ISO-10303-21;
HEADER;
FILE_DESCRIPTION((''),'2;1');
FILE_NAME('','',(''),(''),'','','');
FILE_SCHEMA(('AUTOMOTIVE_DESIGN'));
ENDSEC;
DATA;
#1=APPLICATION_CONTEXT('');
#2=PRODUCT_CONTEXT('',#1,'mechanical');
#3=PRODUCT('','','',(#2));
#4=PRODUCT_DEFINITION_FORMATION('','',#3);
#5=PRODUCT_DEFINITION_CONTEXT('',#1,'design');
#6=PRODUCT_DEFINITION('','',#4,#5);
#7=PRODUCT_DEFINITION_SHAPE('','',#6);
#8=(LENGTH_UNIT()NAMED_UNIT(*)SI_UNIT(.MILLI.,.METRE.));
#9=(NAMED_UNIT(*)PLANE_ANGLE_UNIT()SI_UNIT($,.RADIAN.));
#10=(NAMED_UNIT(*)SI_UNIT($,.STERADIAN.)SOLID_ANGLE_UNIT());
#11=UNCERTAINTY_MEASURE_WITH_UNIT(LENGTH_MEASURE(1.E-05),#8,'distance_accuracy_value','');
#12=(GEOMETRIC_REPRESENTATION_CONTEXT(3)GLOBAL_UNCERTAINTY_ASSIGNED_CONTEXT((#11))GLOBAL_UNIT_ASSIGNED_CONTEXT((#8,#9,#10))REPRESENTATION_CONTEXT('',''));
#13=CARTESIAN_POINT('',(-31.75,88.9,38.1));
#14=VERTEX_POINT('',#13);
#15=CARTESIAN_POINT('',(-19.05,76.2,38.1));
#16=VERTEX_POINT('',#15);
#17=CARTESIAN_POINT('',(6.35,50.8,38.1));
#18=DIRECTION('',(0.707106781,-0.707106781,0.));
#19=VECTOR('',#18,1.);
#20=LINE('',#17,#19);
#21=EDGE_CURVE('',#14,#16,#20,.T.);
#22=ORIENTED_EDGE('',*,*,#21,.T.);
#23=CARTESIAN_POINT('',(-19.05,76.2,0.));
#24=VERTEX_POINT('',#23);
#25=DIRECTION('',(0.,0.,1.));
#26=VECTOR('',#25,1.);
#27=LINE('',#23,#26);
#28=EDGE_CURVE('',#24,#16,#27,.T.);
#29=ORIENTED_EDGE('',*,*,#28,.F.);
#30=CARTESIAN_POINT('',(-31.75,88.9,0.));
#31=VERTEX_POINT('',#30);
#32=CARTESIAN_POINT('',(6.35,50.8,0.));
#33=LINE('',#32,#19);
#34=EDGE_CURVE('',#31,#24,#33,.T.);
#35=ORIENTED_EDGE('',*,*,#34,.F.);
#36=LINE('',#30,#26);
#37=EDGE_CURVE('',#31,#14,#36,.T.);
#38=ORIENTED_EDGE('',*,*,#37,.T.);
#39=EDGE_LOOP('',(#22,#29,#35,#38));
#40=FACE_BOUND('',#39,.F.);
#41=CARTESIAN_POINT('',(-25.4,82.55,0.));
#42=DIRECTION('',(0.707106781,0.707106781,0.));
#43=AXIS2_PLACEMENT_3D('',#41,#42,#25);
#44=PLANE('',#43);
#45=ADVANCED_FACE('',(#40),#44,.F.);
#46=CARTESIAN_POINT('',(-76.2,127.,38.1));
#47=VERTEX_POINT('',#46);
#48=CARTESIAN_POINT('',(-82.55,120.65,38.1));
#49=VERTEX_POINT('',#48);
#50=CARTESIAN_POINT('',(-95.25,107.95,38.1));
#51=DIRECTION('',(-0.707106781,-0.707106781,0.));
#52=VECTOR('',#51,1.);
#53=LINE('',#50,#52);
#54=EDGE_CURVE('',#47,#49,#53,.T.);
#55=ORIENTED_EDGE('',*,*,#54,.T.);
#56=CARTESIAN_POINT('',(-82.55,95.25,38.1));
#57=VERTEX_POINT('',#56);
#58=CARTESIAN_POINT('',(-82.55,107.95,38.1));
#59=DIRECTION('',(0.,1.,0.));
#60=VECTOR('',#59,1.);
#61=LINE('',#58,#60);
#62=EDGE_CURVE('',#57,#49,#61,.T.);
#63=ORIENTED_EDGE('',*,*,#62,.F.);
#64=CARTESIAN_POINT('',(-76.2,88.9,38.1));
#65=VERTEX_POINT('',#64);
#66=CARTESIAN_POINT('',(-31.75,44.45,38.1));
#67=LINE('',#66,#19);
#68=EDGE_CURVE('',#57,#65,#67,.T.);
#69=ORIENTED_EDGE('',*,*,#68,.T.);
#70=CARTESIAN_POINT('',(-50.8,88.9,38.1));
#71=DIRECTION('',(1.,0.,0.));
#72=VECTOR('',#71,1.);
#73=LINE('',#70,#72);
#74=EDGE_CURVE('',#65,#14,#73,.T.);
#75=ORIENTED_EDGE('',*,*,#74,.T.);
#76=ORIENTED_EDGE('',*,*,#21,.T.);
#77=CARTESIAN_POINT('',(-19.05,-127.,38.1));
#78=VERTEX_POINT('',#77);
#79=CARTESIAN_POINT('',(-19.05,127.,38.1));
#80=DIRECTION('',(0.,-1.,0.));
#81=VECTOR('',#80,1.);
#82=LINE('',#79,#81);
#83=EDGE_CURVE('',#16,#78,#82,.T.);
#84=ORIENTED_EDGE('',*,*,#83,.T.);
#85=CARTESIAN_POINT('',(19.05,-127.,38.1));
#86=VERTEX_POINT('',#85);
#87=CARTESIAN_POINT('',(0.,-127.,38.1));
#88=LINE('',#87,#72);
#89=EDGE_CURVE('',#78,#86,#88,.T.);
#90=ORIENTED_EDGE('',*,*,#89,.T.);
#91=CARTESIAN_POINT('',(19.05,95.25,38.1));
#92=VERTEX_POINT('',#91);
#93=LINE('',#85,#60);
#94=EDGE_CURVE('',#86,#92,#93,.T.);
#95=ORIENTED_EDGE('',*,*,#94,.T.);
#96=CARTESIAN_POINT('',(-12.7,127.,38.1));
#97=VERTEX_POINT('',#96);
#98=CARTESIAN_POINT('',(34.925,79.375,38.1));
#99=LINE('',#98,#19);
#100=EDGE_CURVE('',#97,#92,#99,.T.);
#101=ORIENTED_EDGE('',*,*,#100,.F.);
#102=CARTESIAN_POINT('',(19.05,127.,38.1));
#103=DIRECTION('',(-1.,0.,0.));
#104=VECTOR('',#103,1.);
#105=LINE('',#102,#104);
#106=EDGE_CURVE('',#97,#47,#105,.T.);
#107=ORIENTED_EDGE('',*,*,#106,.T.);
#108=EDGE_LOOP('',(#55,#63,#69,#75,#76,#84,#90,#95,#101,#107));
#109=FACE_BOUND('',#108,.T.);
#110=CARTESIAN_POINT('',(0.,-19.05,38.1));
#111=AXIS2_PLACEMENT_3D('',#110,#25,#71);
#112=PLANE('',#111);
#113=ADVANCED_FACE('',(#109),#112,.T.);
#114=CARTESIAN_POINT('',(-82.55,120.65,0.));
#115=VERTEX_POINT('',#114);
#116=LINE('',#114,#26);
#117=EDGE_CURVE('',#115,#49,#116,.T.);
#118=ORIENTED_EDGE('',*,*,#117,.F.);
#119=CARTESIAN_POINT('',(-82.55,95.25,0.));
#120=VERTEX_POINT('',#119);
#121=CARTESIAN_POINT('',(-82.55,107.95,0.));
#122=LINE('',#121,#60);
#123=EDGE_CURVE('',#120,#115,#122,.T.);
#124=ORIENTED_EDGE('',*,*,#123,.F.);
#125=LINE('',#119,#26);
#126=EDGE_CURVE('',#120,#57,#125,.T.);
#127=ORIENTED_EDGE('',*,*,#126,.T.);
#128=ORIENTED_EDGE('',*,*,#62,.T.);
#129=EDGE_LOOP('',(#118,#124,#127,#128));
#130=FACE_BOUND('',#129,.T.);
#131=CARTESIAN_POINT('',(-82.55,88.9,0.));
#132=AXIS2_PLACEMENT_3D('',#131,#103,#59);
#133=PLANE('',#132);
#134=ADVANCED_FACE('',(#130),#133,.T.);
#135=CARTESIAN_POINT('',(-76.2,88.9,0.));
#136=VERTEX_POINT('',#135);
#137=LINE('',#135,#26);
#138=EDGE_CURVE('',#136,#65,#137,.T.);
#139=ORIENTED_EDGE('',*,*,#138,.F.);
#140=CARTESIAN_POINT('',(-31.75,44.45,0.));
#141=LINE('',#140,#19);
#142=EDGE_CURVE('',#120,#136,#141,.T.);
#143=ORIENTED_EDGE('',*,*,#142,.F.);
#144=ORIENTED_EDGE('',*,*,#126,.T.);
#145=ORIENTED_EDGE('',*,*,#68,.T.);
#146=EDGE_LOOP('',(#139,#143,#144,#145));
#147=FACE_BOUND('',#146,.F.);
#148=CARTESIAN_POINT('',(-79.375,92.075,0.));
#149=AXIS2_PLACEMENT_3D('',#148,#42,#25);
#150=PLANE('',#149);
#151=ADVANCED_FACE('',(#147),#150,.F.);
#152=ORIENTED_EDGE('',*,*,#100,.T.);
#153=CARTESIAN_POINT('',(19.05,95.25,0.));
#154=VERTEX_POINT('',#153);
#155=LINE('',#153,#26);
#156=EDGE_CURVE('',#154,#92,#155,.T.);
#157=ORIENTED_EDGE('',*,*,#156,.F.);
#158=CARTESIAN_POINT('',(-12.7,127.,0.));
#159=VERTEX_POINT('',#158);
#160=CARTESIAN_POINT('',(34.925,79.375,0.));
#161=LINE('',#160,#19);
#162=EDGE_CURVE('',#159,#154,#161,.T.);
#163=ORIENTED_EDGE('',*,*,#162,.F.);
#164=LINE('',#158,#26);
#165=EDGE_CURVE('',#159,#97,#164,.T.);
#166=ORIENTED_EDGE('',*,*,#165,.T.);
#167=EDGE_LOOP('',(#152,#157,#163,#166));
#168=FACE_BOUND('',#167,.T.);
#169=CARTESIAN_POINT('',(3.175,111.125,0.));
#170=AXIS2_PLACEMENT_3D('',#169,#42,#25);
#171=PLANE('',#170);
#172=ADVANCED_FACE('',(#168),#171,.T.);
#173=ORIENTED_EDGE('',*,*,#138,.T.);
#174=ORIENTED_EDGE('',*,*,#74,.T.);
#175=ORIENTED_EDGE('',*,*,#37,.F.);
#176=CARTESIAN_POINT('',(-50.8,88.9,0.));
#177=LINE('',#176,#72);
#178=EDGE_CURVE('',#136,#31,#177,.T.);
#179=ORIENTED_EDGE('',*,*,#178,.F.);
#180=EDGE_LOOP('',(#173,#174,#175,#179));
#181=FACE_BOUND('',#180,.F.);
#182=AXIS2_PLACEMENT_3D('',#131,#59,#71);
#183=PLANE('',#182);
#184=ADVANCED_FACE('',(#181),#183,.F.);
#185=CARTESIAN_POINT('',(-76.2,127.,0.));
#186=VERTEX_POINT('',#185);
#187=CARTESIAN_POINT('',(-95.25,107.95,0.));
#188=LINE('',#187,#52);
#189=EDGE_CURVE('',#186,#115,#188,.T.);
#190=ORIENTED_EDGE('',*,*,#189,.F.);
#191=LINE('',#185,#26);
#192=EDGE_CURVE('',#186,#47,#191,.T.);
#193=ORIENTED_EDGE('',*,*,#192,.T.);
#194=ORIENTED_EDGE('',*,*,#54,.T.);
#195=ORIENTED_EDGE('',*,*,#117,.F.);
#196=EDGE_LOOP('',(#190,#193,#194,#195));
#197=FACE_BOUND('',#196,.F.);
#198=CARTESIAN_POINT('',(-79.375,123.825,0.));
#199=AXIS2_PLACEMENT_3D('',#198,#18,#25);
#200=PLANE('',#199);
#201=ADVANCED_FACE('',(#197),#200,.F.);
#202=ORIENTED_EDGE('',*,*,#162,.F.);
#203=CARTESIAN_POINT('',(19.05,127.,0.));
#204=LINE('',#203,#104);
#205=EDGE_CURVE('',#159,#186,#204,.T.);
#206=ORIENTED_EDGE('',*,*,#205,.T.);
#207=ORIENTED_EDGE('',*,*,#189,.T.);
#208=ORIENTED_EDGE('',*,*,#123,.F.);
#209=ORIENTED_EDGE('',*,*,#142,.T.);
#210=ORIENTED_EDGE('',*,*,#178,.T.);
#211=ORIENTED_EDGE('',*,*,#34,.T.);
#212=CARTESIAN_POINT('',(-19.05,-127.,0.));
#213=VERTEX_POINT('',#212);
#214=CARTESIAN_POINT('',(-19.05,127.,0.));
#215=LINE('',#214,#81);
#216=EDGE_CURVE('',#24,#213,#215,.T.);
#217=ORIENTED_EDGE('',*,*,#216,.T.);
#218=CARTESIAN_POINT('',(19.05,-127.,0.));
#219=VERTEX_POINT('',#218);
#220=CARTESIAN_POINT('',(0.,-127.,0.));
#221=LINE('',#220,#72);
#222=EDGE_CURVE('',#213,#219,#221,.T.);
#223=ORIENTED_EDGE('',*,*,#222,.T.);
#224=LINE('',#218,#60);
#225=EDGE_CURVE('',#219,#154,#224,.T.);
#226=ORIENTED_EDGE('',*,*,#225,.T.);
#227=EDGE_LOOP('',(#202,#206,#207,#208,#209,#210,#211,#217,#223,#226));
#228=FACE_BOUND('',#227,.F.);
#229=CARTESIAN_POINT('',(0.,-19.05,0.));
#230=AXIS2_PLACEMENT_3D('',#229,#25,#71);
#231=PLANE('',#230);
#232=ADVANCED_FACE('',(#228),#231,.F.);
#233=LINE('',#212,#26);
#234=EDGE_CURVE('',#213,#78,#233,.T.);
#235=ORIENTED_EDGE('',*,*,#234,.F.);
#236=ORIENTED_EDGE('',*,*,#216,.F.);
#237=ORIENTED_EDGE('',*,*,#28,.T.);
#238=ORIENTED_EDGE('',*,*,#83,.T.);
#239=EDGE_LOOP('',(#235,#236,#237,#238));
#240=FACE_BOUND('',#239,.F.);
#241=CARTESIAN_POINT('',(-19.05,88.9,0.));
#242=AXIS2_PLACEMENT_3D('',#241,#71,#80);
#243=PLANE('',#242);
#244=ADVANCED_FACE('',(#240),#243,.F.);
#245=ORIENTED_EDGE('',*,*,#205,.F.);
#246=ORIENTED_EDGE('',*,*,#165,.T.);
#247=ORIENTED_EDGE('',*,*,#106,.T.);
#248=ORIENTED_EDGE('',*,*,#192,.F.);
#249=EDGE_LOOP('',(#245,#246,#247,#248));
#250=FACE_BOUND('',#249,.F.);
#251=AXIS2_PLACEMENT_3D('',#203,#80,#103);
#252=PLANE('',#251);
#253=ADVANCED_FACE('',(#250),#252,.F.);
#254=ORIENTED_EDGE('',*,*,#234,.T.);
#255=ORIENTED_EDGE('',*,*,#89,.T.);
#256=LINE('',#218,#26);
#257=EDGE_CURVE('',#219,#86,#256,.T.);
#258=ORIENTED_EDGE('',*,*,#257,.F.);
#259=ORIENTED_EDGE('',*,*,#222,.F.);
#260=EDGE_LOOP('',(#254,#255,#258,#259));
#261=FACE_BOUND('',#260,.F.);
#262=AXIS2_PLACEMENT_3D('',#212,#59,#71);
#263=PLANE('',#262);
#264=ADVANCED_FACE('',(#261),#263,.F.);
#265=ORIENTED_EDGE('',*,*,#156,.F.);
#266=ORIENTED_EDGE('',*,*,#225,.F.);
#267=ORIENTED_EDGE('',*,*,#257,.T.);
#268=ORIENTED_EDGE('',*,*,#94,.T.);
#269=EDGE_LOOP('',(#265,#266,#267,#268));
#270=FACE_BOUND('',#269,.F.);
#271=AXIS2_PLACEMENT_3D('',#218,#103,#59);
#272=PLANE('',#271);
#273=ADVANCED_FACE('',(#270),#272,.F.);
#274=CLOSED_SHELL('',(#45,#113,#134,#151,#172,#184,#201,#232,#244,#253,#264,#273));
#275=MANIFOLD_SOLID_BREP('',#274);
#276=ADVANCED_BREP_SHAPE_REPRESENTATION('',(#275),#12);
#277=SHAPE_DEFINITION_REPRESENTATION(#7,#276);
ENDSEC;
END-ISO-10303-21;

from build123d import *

# Parameters (mm, degrees)
F0_W     = 38.1
F0_H     = 215.9
F0_H_2   = 38.1
F0_W_2   = 63.5
F1_DEPTH = 38.1
F2_SIZE  = 12.7
F3_SIZE  = 31.75
F4_SIZE  = 6.35


with BuildPart() as f1:
    # F0 (on Top) → F1 (new body)
    with BuildSketch(Plane.XY):
        with Locations((0, -19.05)):
            Rectangle(F0_W, F0_H)
        with Locations((0, 107.95)):
            Rectangle(F0_W, F0_H_2)
        with Locations((-50.8, 107.95)):
            Rectangle(F0_W_2, F0_H_2)
    extrude(amount=F1_DEPTH)

    # F2
    f2_edges = [f1.edges().sort_by_distance(p)[0] for p in [
        (-19.05, 88.9, 19.05),
    ]]
    chamfer(f2_edges, length=F2_SIZE)

    # F3
    f3_edges = [f1.edges().sort_by_distance(p)[0] for p in [
        (19.05, 127, 19.05),
    ]]
    chamfer(f3_edges, length=F3_SIZE)

    # F4
    f4_edges = [f1.edges().sort_by_distance(p)[0] for p in [
        (-82.55, 88.9, 19.05),
        (-82.55, 127, 19.05),
    ]]
    chamfer(f4_edges, length=F4_SIZE)


solid = f1.part
